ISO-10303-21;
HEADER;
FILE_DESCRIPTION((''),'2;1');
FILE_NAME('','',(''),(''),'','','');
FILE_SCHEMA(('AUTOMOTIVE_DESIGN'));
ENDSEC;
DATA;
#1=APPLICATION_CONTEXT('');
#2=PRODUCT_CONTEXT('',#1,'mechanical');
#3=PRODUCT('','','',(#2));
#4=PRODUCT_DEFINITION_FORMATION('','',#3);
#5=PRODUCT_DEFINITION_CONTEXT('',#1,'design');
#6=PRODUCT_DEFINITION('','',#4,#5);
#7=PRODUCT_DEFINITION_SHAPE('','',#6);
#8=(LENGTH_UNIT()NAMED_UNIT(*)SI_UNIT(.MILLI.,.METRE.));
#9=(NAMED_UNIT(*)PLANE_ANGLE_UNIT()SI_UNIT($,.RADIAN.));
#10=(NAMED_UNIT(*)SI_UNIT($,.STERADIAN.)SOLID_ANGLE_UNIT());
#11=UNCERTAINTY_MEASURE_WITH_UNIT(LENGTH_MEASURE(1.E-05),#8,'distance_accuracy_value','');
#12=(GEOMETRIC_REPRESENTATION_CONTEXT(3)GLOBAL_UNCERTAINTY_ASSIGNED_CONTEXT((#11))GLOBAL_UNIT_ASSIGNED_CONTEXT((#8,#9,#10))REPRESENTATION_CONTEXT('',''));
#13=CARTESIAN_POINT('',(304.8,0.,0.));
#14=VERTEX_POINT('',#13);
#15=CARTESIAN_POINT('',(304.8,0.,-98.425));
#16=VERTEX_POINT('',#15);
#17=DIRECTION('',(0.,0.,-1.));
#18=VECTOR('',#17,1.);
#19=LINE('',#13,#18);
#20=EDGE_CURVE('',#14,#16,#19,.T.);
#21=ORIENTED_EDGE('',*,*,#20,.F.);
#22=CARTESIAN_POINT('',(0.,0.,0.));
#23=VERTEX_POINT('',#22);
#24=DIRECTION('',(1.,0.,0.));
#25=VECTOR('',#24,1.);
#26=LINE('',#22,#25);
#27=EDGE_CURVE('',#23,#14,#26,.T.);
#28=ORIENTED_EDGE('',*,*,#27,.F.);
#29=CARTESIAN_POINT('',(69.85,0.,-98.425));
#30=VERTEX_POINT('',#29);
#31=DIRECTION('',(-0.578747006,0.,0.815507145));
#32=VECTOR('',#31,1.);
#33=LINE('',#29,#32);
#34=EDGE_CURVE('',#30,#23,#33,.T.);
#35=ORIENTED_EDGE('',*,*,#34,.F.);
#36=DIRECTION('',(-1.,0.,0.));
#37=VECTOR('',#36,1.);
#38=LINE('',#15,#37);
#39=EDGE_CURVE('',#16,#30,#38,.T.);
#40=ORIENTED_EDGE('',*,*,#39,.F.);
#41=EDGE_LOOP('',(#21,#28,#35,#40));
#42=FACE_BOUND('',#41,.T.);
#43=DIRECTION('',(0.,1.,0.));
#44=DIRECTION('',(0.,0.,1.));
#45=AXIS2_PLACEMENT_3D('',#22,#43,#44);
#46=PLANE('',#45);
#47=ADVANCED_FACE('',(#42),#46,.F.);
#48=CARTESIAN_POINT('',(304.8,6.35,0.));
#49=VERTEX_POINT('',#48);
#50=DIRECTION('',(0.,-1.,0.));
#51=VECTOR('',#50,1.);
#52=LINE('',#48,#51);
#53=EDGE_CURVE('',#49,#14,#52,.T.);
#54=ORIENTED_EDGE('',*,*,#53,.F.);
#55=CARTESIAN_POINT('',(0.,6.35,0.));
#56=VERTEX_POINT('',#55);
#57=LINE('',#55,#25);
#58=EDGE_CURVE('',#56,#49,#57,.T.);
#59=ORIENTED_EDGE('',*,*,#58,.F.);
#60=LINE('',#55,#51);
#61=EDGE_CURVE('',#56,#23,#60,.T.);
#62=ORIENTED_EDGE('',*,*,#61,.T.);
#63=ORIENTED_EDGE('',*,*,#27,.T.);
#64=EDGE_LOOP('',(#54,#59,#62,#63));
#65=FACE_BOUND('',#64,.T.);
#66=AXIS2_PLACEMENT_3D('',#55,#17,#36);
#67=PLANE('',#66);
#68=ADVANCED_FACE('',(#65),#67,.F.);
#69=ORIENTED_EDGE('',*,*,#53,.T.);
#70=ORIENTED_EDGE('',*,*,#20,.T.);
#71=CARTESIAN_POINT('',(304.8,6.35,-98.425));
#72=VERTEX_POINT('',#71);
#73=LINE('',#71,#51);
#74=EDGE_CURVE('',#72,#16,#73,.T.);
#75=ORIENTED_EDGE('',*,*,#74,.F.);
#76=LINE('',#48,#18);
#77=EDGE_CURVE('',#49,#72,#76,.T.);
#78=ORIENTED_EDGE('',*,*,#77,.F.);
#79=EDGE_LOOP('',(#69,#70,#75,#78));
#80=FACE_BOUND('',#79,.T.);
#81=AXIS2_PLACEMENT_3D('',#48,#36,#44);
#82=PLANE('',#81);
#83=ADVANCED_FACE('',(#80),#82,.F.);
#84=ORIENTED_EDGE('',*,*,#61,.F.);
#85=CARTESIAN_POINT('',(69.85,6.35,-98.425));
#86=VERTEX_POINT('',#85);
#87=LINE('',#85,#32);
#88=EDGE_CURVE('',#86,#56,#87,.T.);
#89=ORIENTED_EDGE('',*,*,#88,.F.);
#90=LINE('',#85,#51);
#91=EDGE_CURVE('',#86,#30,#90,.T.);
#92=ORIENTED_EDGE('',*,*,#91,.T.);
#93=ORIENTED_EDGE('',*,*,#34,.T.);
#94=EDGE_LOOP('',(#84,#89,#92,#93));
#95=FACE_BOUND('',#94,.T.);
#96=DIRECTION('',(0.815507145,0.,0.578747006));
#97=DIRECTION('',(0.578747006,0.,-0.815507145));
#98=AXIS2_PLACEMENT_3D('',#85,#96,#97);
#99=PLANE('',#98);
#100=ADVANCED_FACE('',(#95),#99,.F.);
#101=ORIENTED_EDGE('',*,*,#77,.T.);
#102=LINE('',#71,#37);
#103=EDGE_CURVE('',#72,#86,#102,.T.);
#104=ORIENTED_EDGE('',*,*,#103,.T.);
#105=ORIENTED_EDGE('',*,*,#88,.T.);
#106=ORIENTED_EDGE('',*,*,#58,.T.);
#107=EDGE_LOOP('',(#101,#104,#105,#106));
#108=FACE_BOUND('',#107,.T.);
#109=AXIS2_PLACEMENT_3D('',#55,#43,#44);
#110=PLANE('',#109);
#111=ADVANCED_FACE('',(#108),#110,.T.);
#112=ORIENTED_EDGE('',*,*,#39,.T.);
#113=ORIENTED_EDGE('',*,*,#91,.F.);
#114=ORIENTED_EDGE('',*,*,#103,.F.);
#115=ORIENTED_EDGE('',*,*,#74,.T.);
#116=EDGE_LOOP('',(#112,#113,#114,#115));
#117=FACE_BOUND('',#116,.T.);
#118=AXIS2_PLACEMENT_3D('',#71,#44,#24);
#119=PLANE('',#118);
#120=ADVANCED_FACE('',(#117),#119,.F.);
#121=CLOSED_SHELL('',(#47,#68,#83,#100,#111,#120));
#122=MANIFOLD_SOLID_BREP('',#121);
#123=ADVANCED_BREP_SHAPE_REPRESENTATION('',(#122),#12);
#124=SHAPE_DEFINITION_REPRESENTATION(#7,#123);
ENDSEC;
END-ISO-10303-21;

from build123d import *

# Parameters (mm, degrees)
BOSS_EXTRUDE1_DEPTH = 6.35


with BuildPart() as part:
    # Sketch1 → Boss-Extrude1 (new body)
    with BuildSketch(Plane(origin=(0, 0, 0), x_dir=(1, 0, 0), z_dir=(0, 1, 0))):
        Polygon((0, 0), (304.8, 0), (304.8, 98.425), (69.85, 98.425), align=None)
    extrude(amount=BOSS_EXTRUDE1_DEPTH)


solid = part.part
